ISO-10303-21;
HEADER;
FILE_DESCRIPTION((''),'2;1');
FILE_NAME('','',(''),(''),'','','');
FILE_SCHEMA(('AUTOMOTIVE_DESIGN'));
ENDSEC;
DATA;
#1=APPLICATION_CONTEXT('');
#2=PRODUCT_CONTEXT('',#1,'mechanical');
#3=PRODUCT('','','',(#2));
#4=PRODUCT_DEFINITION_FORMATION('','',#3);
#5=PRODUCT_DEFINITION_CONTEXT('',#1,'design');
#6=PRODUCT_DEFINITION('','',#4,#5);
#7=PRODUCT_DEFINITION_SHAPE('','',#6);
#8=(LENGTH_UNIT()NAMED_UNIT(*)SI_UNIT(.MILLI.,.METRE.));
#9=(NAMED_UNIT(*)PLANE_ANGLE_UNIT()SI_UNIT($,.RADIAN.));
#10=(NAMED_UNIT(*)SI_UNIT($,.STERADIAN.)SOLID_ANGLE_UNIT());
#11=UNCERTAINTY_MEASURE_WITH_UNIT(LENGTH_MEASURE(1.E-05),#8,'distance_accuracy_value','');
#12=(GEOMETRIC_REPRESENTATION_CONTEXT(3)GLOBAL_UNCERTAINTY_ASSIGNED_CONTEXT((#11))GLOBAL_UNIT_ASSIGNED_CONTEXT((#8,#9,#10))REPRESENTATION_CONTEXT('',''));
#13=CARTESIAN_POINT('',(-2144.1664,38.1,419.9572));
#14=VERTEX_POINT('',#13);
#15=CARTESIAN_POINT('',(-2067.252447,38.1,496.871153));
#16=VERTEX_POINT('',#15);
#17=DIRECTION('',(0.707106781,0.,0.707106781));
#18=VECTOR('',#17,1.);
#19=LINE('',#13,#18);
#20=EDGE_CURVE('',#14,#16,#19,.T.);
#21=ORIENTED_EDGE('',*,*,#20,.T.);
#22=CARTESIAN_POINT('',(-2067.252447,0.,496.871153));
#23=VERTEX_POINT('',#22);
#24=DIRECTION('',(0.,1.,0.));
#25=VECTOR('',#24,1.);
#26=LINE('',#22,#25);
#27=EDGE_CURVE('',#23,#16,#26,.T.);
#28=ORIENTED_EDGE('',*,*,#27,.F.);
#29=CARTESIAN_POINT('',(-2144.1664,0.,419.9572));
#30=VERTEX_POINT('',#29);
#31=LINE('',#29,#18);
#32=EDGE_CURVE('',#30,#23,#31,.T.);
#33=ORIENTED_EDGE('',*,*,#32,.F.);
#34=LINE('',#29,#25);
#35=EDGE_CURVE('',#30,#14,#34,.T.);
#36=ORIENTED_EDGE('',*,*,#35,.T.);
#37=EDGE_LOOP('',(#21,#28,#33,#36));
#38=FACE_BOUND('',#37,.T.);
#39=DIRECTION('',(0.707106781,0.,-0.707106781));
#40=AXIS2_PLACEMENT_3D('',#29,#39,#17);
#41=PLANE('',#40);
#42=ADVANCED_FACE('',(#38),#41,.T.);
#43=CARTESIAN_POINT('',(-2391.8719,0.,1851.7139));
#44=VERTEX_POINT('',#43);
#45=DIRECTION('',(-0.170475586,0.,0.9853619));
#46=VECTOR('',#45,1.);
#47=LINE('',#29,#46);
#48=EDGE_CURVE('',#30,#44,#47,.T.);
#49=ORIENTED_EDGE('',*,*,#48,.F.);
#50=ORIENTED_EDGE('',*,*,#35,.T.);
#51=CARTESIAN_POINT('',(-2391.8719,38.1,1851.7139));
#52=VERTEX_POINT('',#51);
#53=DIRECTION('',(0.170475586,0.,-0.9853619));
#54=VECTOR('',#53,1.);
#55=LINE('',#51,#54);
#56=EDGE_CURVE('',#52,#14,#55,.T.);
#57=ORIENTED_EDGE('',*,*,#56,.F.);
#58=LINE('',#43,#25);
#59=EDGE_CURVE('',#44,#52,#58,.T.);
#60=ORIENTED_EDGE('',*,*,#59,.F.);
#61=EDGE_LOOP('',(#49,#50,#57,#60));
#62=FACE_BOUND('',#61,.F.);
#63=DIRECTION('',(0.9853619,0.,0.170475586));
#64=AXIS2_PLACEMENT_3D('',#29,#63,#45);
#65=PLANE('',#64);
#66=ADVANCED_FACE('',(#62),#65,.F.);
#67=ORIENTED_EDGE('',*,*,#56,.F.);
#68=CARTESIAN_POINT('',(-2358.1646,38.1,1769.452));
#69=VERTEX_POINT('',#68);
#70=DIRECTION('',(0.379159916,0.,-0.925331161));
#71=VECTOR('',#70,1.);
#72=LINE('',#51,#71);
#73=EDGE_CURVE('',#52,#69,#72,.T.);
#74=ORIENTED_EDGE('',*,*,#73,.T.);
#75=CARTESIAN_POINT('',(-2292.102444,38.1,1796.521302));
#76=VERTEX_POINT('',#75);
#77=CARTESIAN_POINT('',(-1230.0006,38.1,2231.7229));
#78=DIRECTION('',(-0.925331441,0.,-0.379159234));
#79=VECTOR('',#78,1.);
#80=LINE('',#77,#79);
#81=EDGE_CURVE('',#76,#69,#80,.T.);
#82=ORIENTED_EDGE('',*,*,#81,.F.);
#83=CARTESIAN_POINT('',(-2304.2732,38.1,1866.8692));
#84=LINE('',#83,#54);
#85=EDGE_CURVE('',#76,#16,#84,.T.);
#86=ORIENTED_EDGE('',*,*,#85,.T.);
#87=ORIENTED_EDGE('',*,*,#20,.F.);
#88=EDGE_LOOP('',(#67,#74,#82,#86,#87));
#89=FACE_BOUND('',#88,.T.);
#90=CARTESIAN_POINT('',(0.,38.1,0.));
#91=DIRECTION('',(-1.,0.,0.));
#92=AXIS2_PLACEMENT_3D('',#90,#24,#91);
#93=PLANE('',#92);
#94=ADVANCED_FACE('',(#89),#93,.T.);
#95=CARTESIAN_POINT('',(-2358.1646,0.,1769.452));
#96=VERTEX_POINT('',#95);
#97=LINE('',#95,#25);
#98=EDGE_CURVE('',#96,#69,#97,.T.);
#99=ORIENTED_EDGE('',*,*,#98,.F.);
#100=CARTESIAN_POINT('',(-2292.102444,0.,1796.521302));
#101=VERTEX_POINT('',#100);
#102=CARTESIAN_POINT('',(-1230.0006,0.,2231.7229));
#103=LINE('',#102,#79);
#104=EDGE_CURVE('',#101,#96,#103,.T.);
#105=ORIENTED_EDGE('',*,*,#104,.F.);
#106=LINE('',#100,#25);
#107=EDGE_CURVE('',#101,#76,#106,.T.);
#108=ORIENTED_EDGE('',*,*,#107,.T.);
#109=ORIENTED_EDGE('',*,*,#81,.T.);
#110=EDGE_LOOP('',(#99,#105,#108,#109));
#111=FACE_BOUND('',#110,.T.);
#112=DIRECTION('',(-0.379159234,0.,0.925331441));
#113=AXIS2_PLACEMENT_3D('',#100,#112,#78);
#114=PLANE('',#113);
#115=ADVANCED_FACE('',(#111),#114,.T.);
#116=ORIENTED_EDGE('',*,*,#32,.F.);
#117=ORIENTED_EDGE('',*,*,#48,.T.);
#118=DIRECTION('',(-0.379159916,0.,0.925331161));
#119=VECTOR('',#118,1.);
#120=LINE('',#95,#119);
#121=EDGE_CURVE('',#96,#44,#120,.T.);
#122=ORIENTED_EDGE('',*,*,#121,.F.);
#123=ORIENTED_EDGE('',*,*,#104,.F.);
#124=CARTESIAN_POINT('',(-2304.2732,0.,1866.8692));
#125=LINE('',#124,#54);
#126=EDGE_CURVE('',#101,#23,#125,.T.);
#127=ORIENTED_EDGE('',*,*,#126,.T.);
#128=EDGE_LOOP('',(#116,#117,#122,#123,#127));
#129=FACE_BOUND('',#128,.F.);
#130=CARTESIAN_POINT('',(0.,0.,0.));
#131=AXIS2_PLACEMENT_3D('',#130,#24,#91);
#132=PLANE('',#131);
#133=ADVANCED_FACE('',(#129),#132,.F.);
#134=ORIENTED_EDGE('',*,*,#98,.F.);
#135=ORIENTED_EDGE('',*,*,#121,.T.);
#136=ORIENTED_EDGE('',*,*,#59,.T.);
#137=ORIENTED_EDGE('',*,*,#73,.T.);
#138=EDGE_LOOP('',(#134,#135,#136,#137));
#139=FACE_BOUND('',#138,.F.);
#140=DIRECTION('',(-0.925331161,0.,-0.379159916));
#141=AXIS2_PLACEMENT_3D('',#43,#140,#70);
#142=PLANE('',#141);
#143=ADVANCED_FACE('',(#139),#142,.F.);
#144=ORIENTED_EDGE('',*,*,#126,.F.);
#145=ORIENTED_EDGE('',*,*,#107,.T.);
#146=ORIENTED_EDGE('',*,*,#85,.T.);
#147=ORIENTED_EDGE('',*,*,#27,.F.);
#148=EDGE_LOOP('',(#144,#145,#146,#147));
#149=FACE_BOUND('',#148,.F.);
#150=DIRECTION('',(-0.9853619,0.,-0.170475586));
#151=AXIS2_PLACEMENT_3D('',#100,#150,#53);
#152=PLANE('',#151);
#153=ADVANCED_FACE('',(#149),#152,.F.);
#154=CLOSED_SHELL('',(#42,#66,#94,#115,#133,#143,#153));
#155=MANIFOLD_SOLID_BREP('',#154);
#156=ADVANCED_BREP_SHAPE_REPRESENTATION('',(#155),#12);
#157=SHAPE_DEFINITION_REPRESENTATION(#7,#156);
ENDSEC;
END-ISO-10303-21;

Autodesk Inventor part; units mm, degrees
ref_plane "YZ Plane" through (0, 0, 0) normal (1, 0, 0) x (0, 1, 0)
ref_plane "XZ Plane" through (0, 0, 0) normal (0, 1, 0) x (-1, 0, 0)
ref_plane "XY Plane" through (0, 0, 0) normal (0, 0, 1) x (1, 0, 0)
sketch "Sketch1" plane through (0, 0, 0) normal (0, 1, 0) x (-1, 0, 0)
  line L0 (0, 0) -> (0, -1219.2)
  line L1 (0, 0) -> (88.9, 0)
  line L2 (88.9, 0) -> (88.9, -1219.2)
  line L3 (88.9, -1219.2) -> (0, -1219.2)
  line L4 (0, 0) -> (0, 1219.2) construction
  line L5 (0, 1219.2) -> (1219.2, 1219.2) construction
  line L6 (0, 1219.2) -> (0, 3657.6) construction
  line L7 (0, 3657.6) -> (0, 4876.8) construction
  line L8 (0, 4876.8) -> (0, 6096) construction
  line L9 (0, -1219.2) -> (2438.4, -1219.2) construction
  line L10 (0, 6096) -> (2438.4, 6096) construction
  line L11 (2438.4, 6096) -> (2438.4, -1219.2) construction
  line L12 (0, 3657.6) -> (0, 3352.8) construction
  line L13 (0, 3352.8) -> (2438.4, 3352.8) construction
  line L14 (2438.4, 3352.8) -> (1219.2, 3352.8)
  line L15 (1219.2, 3352.8) -> (1219.2, 3263.9)
  line L16 (1219.2, 3263.9) -> (2438.4, 3263.9)
  line L17 (2438.4, 3263.9) -> (2438.4, 3352.8)
  line L18 (0, 6096) -> (862.1046, 6958.1046)
  line L19 (862.1046, 6958.1046) -> (924.9664, 6895.2428)
  line L20 (924.9664, 6895.2428) -> (62.8618, 6033.1382)
  line L21 (62.8618, 6033.1382) -> (0, 6096)
  line L22 (0, 4876.8) -> (1219.2, 4876.8) construction
  line L23 (1219.2, 4876.8) -> (2081.3046, 5738.9046)
  line L24 (1219.2, 1219.2) -> (2081.3046, 357.0954)
  line L25 (2081.3046, 357.0954) -> (2018.4428, 294.2336)
  line L26 (2018.4428, 294.2336) -> (1156.3382, 1156.3382)
  line L27 (1156.3382, 1156.3382) -> (1219.2, 1219.2)
  line L28 (2018.4428, 294.2336) -> (88.9, -1219.2)
  line L29 (2081.3046, 357.0954) -> (2144.1664, 419.9572)
  line L30 (2144.1664, 419.9572) -> (1282.0618, 1282.0618)
  line L31 (1282.0618, 1282.0618) -> (1219.2, 1219.2)
  line L32 (2438.4, 3352.8) -> (2438.4, 3441.7)
  line L33 (2438.4, 3441.7) -> (1219.2, 3441.7)
  line L34 (1219.2, 3441.7) -> (1219.2, 3352.8)
  line L35 (1156.3382, 4939.6618) -> (1282.0618, 4813.9382)
  line L36 (2018.4428, 5801.7664) -> (2144.1664, 5676.0428)
  line L37 (1282.0618, 4813.9382) -> (2144.1664, 5676.0428)
  line L38 (2018.4428, 5801.7664) -> (1156.3382, 4939.6618)
  line L39 (2018.4428, 5801.7664) -> (924.9664, 6895.2428)
  line L40 (62.8618, 6033.1382) -> (1156.3382, 4939.6618)
  line L41 (1233.6206, 4168.8855) -> (1267.6412, 4086.7527)
  line L42 (1263.7078, 2313.9849) -> (1230.0006, 2231.7229)
  arc A0 (862.1046, 6958.1046) -> (0, 6096) centre (431.0523, 6527.0523) ccw
  line L43 (1246.8542, 2272.8539) -> (2375.0183, 1810.583)
  line L44 (2391.8719, 1851.7139) -> (2358.1646, 1769.452)
  line L45 (2391.8719, 1851.7139) -> (1263.7078, 2313.9849)
  line L46 (1230.0006, 2231.7229) -> (2358.1646, 1769.452)
  line L47 (1230.0006, 2231.7229) -> (1219.2, 3263.9)
  line L48 (2144.1664, 419.9572) -> (2391.8719, 1851.7139)
  line L49 (2391.8719, 1851.7139) -> (2438.4, 3263.9)
  line L50 (1219.2, 3441.7) -> (1233.6206, 4168.8855)
  line L51 (1250.6309, 4127.8191) -> (2377.0248, 4594.3867)
  line L52 (2360.0145, 4635.4532) -> (2394.0351, 4553.3203)
  line L53 (2394.0351, 4553.3203) -> (1267.6412, 4086.7527)
  line L54 (2360.0145, 4635.4532) -> (1233.6206, 4168.8855)
  line L55 (2394.0351, 4553.3203) -> (2144.1664, 5676.0428)
  line L56 (2438.4, 3441.7) -> (2394.0351, 4553.3203)
  line L57 (2144.1664, 5676.0428) -> (2057.3895, 5656.7301)
  line L58 (2394.0351, 4553.3203) -> (2305.2058, 4549.7751)
  line L59 (2394.0351, 4553.3203) -> (2307.2582, 4534.0076)
  line L60 (2307.2582, 4534.0076) -> (2057.3895, 5656.7301)
  line L61 (2438.4, 3441.7) -> (2349.5707, 3438.1548)
  line L62 (2349.5707, 3438.1548) -> (2305.2058, 4549.7751)
  line L63 (1219.2, 3441.7) -> (1308.0825, 3439.9374)
  line L64 (1233.6206, 4168.8855) -> (1322.5031, 4167.1229)
  line L65 (1322.5031, 4167.1229) -> (1308.0825, 3439.9374)
  line L66 (2018.4428, 5801.7664) -> (1955.581, 5738.9046)
  line L67 (1955.581, 5738.9046) -> (862.1046, 6832.381)
  line L68 (924.9664, 6895.2428) -> (862.1046, 6832.381)
  line L69 (62.8618, 6033.1382) -> (125.7236, 6096)
  line L70 (62.8618, 6033.1382) -> (125.7236, 6096)
  line L71 (125.7236, 6096) -> (1219.2, 5002.5236)
  line L72 (1156.3382, 1156.3382) -> (0, 0)
  line L73 (0, 0) -> (62.8618, -62.8618)
  line L74 (1156.3382, 1156.3382) -> (1219.2, 1093.4764)
  line L75 (1219.2, 1093.4764) -> (62.8618, -62.8618)
  line L76 (2018.4428, 294.2336) -> (1963.5776, 364.1837)
  line L77 (88.9, -1219.2) -> (34.0348, -1149.2499)
  line L78 (34.0348, -1149.2499) -> (1963.5776, 364.1837)
  line L79 (2144.1664, 419.9572) -> (2056.5677, 435.1125)
  line L80 (2391.8719, 1851.7139) -> (2304.2732, 1866.8692)
  line L81 (2391.8719, 1851.7139) -> (2303.0201, 1854.6414)
  line L82 (2304.2732, 1866.8692) -> (2056.5677, 435.1125)
  line L83 (1230.0006, 2231.7229) -> (1318.8957, 2232.6531)
  line L84 (1219.2, 3263.9) -> (1308.0951, 3264.8302)
  line L85 (1308.0951, 3264.8302) -> (1318.8957, 2232.6531)
  line L86 (2438.4, 3263.9) -> (2349.5482, 3266.8275)
  line L87 (2349.5482, 3266.8275) -> (2303.0201, 1854.6414)
  line L88 (88.9, 0) -> (125.7236, 0)
  line L89 (1233.6206, 4168.8855) -> (1219.2, 4876.8)
  line L90 (1233.6206, 4168.8855) -> (1322.5022, 4170.6961)
  line L91 (1219.2, 4876.8) -> (1308.0816, 4878.6106)
  line L92 (1308.0816, 4878.6106) -> (1322.5022, 4170.6961)
  line L93 (1282.0618, 4813.9382) -> (1309.9674, 4786.0326)
  line L94 (1267.6412, 4086.7527) -> (1318.4756, 3964.0275)
  line L95 (2360.0145, 4635.4532) -> (2374.4273, 4641.4231)
  line L96 (1230.0006, 2231.7229) -> (1219.2, 1219.2)
  line L97 (1230.0006, 2231.7229) -> (1318.8955, 2230.7747)
  line L98 (1219.2, 1219.2) -> (1308.0949, 1218.2518)
  line L99 (1308.0949, 1218.2518) -> (1318.8955, 2230.7747)
  line L100 (1282.0618, 1282.0618) -> (1309.0636, 1309.0636)
  line L101 (1263.7078, 2313.9849) -> (1316.7428, 2438.4)
  line L102 (2358.1646, 1769.452) -> (2376.5379, 1763.082)
  point P0 (1770.957, 2057.4547)
  point P1 (1955.1236, 357.5528)
  point P2 (88.9, -1106.2164)
  point P3 (2292.1025, 1796.5213)
  point P4 (2067.2525, 496.8711)
  dimension "d0" = 1219.2
  dimension "d2" = 1219.2
  dimension "d3" = 1219.2
  dimension "d16" = 2438.4
  dimension "d17" = 1219.2
  dimension "d18" = 1219.2
  dimension "d20" = 2438.4
  dimension "d21" = 304.8
  dimension "d22" = 1219.2
  dimension "d23" = 88.9
  dimension "d24" = 1219.2
  dimension "d25" = 45
  dimension "d26" = 88.9
  dimension "d27" = 1219.2
  dimension "d28" = 1219.2
  dimension "d29" = 1219.2
  dimension "d31" = 1219.2
  dimension "d32" = 88.9
  dimension "d33" = 88.9
  dimension "d34" = 88.9
  dimension "d35" = 177.8
  dimension "d36" = 177.8
  dimension "d38" = 88.9
  dimension "d39" = 88.9
  dimension "d43" = 1219.2
  dimension "d44" = 88.9
  dimension "d45" = 1219.2
  dimension "d46" = 88.9
  dimension "d47" = 88.9
  dimension "d48" = 88.9
  dimension "d49" = 88.9
  dimension "d50" = 88.9
  dimension "d51" = 88.9
  dimension "d54" = 88.9
  dimension "d55" = 88.9
  dimension "d57" = 88.9
  dimension "d58" = 88.9
  dimension "d59" = 88.9
  dimension "d60" = 88.9
  dimension "d61" = 88.9
  dimension "d64" = 88.9
  dimension "d65" = 88.9
  dimension "d66" = 88.9
  dimension "d69" = 88.9
  dimension "d70" = 88.9
  dimension "d71" = 88.9
  dimension "d72" = 88.9
extrude "Extrusion1" add sketch "Sketch1" along normal blind 38.1 contours L30 L82 L46 L102 L48 | L102 L44 L48
properties part number "S_2x4x57.206"
